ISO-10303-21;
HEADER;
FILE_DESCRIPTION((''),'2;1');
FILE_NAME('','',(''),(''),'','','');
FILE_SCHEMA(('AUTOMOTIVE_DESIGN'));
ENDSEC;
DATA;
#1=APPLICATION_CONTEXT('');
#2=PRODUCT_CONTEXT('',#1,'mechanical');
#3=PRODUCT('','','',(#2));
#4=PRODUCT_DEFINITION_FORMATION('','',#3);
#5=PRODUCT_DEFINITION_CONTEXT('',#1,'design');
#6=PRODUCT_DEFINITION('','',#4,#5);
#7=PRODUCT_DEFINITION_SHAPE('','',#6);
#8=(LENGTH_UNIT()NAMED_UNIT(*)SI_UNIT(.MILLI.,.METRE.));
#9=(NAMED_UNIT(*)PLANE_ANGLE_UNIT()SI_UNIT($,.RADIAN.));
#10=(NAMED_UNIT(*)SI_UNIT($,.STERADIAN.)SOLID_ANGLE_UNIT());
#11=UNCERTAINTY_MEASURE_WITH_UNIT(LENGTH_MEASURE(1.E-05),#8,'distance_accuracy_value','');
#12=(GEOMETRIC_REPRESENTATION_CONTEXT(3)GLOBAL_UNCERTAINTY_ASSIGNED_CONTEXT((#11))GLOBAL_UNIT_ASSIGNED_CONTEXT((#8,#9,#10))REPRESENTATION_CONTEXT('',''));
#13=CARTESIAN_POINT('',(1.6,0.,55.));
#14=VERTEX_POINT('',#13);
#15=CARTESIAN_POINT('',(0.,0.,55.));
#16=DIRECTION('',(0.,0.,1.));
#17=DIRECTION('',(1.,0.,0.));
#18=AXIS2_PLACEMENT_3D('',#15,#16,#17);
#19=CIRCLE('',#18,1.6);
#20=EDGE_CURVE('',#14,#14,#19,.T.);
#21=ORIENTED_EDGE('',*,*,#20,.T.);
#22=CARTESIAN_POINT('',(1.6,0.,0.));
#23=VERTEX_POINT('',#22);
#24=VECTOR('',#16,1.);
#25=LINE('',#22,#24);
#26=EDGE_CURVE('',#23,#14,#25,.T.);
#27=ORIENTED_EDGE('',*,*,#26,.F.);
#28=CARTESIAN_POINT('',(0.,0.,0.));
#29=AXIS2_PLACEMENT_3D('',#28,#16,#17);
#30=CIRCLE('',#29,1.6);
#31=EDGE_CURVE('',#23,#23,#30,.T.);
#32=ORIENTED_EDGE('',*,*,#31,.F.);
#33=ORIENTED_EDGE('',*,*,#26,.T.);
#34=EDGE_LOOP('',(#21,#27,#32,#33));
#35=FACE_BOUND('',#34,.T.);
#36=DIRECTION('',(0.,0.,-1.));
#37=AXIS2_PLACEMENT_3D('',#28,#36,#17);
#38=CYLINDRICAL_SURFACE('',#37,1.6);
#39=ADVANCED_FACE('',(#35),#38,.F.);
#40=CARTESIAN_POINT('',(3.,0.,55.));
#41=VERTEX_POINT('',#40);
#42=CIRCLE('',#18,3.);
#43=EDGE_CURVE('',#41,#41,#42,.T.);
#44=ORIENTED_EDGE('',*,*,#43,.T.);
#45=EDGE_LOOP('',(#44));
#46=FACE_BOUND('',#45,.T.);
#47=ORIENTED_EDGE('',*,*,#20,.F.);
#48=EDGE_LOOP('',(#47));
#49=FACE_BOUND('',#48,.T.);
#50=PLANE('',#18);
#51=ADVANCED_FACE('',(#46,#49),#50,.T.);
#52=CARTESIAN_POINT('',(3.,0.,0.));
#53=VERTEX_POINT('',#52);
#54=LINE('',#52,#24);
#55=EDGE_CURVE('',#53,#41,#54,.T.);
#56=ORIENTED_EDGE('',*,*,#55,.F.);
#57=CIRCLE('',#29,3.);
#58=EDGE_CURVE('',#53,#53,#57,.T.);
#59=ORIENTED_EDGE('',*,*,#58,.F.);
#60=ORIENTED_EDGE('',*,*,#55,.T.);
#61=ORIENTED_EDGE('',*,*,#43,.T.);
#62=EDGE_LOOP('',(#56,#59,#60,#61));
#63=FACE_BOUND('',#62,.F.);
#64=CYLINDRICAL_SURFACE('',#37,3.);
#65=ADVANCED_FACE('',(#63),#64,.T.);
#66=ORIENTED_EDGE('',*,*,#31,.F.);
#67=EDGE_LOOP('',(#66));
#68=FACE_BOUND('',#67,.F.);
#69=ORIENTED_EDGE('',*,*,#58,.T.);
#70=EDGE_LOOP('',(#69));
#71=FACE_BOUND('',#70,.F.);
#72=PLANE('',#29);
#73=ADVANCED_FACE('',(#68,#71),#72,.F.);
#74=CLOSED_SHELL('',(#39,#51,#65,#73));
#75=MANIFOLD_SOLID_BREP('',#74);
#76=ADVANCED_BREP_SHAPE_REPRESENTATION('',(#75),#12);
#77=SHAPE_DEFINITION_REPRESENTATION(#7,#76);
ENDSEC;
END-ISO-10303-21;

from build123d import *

# Parameters (mm, degrees)
SKETCH_R   = 3
SKETCH_R_2 = 1.6
PAD_DEPTH  = 55


with BuildPart() as part:
    # Sketch → Pad (new body)
    with BuildSketch(Plane.XY):
        Circle(SKETCH_R)
        Circle(SKETCH_R_2, mode=Mode.SUBTRACT)
    extrude(amount=PAD_DEPTH)


solid = part.part
